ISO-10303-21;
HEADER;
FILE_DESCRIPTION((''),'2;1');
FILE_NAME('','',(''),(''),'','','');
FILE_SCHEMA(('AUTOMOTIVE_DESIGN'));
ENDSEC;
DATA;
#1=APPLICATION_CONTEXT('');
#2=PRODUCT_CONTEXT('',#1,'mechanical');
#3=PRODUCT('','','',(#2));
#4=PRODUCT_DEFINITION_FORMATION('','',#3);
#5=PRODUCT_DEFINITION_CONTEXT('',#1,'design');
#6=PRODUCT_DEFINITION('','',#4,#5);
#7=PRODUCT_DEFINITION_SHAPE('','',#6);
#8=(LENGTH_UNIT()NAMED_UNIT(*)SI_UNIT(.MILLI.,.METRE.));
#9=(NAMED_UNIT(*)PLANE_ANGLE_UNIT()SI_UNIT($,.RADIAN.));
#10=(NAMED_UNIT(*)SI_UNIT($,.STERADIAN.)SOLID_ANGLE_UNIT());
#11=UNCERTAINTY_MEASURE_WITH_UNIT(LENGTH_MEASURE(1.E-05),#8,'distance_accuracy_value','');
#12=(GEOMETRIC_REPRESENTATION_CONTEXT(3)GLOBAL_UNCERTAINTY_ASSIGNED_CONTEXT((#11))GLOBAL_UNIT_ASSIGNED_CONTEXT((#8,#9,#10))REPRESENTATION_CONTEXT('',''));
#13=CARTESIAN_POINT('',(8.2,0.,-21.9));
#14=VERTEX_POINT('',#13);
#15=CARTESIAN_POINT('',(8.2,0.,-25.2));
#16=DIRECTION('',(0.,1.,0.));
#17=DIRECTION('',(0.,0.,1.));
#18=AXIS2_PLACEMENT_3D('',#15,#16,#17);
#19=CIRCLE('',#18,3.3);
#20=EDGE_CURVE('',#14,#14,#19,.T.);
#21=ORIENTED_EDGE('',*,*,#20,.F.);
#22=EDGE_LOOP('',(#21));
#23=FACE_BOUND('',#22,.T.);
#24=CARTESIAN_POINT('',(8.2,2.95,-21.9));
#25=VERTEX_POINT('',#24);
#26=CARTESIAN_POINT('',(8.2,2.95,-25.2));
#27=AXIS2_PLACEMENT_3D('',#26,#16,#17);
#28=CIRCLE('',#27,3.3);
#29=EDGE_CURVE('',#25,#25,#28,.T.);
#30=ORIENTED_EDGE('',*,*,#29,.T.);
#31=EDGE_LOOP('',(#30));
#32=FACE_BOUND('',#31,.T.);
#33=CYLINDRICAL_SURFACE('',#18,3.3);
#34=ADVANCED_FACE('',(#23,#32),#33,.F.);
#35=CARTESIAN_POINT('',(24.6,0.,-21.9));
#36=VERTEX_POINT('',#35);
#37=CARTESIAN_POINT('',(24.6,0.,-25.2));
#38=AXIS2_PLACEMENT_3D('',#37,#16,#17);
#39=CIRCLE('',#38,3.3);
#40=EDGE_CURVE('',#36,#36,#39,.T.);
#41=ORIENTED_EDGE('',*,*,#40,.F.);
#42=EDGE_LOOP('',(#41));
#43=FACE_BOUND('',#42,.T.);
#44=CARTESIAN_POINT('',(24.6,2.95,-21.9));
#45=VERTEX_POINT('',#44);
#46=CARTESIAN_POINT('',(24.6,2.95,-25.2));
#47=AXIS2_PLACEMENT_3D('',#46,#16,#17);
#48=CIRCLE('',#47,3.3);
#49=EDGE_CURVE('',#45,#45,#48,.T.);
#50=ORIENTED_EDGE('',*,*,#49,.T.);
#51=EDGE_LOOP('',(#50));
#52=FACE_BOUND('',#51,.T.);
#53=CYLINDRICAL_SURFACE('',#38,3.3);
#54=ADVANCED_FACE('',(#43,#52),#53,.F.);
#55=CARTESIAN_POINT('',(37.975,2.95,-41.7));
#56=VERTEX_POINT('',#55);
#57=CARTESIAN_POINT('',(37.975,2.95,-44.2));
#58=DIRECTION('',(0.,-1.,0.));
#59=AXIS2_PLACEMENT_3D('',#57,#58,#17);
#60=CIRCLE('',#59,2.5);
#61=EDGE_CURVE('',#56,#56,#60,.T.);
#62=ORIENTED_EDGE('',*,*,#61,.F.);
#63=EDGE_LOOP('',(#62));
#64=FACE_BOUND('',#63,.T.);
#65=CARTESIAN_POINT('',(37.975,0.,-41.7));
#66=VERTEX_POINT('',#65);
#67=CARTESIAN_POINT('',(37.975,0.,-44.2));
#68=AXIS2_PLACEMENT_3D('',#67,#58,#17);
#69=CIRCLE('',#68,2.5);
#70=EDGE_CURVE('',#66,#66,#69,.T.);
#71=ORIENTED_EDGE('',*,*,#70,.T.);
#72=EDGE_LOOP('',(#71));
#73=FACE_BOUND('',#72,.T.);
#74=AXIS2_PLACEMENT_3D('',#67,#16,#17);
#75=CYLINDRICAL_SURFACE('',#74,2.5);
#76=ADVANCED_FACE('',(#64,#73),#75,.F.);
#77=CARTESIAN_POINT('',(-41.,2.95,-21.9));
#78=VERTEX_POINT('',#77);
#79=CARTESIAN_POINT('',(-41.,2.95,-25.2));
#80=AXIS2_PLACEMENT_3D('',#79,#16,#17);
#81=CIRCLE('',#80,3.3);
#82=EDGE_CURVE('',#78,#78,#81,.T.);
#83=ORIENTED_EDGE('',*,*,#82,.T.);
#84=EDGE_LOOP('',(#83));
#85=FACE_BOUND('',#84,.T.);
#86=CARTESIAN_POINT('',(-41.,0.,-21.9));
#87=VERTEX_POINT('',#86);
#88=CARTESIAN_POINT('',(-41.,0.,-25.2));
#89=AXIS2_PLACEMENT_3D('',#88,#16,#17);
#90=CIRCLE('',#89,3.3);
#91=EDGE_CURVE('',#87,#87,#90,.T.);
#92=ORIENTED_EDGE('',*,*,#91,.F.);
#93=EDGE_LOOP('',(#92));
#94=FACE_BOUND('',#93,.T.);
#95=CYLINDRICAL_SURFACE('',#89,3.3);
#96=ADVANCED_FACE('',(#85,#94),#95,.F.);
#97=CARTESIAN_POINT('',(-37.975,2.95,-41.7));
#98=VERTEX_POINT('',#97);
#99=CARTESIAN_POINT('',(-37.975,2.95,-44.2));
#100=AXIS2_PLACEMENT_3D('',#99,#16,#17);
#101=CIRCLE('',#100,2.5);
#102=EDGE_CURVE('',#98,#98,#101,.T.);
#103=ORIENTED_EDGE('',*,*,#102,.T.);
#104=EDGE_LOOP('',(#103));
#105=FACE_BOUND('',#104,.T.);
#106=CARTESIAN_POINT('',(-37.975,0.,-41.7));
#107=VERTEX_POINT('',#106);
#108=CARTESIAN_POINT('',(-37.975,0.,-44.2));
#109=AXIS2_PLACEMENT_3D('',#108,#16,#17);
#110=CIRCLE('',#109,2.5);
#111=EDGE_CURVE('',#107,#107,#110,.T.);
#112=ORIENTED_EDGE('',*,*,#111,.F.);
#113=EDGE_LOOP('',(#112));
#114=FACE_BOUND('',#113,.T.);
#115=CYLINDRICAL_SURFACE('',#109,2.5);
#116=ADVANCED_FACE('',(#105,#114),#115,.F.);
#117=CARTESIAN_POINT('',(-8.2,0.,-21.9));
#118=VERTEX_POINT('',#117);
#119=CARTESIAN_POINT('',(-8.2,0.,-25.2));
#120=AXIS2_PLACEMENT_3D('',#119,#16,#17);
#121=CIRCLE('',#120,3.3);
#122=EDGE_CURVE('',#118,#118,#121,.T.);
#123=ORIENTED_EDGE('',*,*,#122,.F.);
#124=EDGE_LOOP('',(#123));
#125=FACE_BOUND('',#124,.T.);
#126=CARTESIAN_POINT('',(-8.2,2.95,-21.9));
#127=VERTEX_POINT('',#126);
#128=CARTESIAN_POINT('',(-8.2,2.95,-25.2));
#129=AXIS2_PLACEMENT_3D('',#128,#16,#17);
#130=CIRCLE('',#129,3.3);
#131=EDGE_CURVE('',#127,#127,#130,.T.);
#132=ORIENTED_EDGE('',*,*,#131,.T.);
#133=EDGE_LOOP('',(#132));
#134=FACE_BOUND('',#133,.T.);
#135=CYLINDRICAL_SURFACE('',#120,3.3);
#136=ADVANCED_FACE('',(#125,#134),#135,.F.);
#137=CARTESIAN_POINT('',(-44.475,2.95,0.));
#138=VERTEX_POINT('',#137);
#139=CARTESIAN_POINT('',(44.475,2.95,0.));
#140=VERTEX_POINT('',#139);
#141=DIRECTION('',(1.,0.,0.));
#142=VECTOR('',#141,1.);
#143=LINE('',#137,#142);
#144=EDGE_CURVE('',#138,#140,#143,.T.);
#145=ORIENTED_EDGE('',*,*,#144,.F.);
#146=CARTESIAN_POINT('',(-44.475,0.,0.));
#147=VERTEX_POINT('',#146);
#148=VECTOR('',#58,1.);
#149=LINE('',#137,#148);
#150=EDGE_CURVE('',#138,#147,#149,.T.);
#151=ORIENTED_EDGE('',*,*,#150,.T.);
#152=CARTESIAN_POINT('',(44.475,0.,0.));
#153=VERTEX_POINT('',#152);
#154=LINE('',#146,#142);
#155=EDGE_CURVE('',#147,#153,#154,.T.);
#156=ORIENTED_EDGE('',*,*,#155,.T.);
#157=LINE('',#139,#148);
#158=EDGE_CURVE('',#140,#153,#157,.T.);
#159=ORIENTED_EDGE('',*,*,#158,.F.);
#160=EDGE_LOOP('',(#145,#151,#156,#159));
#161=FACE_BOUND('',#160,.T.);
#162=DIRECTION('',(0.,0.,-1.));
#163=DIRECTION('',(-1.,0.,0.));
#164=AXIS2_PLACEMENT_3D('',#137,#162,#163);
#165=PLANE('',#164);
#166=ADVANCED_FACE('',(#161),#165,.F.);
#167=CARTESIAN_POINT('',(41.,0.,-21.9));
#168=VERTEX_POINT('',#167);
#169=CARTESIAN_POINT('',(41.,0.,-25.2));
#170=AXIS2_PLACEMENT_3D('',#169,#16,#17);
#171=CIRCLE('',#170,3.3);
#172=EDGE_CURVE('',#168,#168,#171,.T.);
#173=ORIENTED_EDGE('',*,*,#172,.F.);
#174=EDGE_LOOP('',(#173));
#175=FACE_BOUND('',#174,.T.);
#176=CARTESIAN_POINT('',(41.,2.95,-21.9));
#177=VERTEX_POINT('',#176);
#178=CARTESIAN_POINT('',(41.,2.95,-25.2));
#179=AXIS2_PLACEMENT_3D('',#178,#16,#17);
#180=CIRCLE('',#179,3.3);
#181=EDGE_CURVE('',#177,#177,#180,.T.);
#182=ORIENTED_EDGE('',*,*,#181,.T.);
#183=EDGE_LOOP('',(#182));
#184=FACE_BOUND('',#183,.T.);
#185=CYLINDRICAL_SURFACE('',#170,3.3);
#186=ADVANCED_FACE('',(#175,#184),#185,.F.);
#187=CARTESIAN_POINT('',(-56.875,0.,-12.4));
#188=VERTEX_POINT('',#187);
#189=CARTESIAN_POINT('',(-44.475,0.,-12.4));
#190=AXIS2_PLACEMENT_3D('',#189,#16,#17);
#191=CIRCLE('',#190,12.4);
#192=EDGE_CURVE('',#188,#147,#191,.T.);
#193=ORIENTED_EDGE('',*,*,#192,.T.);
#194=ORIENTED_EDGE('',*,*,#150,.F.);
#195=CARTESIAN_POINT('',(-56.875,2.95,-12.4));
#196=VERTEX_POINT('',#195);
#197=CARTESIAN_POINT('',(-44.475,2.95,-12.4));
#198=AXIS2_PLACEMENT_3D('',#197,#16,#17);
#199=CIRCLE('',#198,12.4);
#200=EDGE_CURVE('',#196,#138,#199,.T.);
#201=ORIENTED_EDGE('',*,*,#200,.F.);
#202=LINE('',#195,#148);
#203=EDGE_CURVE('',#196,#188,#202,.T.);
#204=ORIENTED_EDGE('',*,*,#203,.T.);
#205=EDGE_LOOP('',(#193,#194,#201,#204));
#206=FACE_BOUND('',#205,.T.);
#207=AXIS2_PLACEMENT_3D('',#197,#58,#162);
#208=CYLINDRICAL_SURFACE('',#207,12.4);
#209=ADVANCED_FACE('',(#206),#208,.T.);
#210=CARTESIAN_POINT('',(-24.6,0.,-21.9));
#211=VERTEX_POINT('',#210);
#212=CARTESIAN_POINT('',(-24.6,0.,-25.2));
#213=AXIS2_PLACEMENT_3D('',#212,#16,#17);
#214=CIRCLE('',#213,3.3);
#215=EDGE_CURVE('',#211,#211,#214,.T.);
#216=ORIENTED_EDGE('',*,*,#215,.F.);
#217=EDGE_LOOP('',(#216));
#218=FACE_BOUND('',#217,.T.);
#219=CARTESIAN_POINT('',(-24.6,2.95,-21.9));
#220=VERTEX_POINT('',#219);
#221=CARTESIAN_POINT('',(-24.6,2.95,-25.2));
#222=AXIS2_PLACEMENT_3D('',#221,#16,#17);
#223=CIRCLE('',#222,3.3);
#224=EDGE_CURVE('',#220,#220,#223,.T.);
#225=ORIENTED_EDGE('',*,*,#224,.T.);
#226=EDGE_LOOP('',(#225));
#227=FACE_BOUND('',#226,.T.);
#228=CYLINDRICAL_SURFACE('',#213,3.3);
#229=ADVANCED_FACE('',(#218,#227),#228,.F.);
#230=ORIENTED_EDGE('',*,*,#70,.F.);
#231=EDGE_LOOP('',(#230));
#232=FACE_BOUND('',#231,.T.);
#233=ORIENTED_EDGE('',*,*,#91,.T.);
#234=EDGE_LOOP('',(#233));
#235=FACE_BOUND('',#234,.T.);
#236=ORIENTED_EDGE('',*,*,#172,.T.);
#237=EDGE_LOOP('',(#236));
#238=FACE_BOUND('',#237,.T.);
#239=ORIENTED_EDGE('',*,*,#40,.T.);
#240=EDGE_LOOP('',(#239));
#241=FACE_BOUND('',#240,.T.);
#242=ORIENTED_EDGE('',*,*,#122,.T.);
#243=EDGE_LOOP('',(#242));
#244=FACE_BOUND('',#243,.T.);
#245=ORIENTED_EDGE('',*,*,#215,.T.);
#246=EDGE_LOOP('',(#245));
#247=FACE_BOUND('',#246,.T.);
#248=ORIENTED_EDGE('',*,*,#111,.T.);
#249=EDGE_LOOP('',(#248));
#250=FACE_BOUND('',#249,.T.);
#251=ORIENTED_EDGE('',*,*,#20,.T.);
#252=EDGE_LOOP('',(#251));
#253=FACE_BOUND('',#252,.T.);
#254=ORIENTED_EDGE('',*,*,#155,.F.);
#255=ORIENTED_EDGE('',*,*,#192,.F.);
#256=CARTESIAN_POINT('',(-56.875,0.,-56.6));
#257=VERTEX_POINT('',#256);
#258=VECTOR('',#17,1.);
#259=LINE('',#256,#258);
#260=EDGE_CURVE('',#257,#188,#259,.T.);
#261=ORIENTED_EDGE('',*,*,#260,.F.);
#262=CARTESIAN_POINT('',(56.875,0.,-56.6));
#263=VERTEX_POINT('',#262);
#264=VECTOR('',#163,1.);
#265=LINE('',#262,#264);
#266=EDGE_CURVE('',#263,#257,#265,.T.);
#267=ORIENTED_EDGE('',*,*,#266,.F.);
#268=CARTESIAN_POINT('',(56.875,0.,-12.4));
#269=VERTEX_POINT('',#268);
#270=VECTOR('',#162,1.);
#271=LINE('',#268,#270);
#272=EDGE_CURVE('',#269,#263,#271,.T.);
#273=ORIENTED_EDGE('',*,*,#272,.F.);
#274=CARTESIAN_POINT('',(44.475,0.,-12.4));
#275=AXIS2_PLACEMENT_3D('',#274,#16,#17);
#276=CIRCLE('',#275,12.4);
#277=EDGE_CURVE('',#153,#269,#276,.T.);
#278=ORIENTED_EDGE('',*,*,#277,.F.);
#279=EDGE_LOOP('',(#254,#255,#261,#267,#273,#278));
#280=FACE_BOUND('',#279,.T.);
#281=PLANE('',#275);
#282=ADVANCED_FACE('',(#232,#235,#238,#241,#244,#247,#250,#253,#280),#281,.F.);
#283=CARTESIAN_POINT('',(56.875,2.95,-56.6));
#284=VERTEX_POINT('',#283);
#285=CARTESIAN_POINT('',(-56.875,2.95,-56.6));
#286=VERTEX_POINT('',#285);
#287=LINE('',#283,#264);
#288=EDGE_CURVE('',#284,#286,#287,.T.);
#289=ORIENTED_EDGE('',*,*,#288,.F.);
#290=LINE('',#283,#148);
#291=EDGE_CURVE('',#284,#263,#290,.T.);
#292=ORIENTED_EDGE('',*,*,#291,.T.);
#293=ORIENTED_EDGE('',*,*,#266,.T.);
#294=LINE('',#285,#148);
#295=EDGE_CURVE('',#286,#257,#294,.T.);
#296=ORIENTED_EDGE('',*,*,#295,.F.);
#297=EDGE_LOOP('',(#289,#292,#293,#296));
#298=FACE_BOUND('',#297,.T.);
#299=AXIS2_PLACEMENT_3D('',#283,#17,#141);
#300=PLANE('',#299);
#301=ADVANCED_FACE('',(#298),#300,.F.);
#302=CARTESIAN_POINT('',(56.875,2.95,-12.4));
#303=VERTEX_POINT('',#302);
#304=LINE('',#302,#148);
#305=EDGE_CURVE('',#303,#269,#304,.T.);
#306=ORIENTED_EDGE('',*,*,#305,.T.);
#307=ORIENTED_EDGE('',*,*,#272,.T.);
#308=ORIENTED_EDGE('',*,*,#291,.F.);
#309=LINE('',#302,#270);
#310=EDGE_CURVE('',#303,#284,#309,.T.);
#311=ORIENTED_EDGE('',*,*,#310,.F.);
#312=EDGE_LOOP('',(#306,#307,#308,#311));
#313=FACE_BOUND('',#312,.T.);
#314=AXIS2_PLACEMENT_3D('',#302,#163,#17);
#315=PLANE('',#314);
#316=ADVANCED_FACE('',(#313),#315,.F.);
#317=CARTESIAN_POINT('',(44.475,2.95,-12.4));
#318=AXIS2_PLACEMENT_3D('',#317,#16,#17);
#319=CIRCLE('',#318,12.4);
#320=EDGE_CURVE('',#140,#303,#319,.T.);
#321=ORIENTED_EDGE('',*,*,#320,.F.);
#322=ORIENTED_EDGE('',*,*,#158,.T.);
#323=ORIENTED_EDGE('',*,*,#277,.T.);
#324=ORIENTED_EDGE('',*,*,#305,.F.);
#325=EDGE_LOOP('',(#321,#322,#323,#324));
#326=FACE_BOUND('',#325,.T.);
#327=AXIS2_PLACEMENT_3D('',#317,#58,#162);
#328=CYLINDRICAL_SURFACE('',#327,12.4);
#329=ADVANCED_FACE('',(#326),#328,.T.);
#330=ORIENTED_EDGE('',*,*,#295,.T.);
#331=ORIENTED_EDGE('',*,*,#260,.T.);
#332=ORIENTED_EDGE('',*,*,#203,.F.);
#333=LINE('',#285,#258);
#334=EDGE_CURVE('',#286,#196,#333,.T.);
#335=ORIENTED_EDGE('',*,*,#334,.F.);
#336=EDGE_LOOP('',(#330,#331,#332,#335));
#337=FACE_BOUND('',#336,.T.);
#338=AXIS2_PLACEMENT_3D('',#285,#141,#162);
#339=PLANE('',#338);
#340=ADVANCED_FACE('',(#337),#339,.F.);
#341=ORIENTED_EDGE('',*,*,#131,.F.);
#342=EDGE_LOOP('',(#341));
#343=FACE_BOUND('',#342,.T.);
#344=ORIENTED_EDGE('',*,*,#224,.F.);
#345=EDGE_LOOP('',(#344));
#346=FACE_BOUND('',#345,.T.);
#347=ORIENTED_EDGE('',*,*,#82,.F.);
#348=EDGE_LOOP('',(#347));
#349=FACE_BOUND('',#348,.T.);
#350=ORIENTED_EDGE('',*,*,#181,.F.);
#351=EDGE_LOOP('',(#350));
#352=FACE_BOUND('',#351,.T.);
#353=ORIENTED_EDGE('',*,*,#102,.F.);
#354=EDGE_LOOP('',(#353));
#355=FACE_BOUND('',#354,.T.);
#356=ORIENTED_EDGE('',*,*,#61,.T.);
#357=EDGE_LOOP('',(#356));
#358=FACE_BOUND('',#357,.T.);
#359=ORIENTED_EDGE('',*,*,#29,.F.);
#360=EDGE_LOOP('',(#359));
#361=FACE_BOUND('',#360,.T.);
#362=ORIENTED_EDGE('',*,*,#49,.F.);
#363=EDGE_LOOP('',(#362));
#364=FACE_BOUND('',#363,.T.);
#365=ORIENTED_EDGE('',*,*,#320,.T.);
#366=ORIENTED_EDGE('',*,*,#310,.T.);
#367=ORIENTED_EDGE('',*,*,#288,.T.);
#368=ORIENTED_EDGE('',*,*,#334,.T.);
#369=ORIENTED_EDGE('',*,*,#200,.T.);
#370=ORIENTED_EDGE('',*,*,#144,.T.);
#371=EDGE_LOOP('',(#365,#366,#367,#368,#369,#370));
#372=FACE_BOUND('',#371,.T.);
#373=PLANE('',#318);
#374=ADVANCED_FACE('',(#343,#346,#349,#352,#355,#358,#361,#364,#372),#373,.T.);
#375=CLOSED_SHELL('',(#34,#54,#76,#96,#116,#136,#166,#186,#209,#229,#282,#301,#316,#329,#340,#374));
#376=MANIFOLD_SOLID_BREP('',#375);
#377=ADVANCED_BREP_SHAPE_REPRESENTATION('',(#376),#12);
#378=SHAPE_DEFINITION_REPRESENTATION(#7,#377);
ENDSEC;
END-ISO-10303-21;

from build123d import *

# Parameters (mm, degrees)
BOSS_EXTRUDE1_DEPTH = 2.95
SKETCH5_R           = 3.3
HOLE1_DEPTH         = 81.293387804
SKETCH7_R           = 2.5
CUT_EXTRUDE2_DEPTH  = 81.293387804


with BuildPart() as part:
    # Sketch1 → Boss-Extrude1 (new body)
    with BuildSketch(Plane(origin=(0, 0, 0), x_dir=(1, 0, 0), z_dir=(0, 1, 0))):
        with BuildLine():
            Line((-44.475, 0), (44.475, 0))
            ThreePointArc((44.475, 0), (53.243124087, 3.631875913), (56.875, 12.4))
            Line((56.875, 12.4), (56.875, 56.6))
            Line((56.875, 56.6), (-56.875, 56.6))
            Line((-56.875, 56.6), (-56.875, 12.4))
            ThreePointArc((-56.875, 12.4), (-53.243124087, 3.631875913), (-44.475, 0))
        make_face()
    extrude(amount=BOSS_EXTRUDE1_DEPTH)

    # Sketch5 → Hole1 (cut, through all)
    with BuildSketch(Plane(origin=(0, 2.95, 0), x_dir=(1, 0, 0), z_dir=(0, 1, 0))):
        with Locations(Location((-41, 25.2, 0), (0, 0, 270))):
            Circle(SKETCH5_R)
        with Locations(Location((-24.6, 25.2, 0), (0, 0, 270))):
            Circle(SKETCH5_R)
        with Locations(Location((-8.2, 25.2, 0), (0, 0, 270))):
            Circle(SKETCH5_R)
        with Locations(Location((8.2, 25.2, 0), (0, 0, 270))):
            Circle(SKETCH5_R)
        with Locations(Location((24.6, 25.2, 0), (0, 0, 270))):
            Circle(SKETCH5_R)
        with Locations(Location((41, 25.2, 0), (0, 0, 270))):
            Circle(SKETCH5_R)
    extrude(amount=-HOLE1_DEPTH, mode=Mode.SUBTRACT)

    # Sketch7 → Cut-Extrude2 (cut, through all)
    with BuildSketch(Plane(origin=(0, 2.95, 0), x_dir=(1, 0, 0), z_dir=(0, 1, 0))):
        with Locations(Location((-37.975, 44.2, 0), (0, 0, 270))):
            Circle(SKETCH7_R)
    cut_extrude2 = extrude(amount=-CUT_EXTRUDE2_DEPTH, mode=Mode.SUBTRACT)

    # Mirror1: Cut-Extrude2 across plane
    add(cut_extrude2.mirror(Plane(origin=(0, 0, 0), x_dir=(0, 0, 1), z_dir=(1, 0, 0))), mode=Mode.SUBTRACT)


solid = part.part
